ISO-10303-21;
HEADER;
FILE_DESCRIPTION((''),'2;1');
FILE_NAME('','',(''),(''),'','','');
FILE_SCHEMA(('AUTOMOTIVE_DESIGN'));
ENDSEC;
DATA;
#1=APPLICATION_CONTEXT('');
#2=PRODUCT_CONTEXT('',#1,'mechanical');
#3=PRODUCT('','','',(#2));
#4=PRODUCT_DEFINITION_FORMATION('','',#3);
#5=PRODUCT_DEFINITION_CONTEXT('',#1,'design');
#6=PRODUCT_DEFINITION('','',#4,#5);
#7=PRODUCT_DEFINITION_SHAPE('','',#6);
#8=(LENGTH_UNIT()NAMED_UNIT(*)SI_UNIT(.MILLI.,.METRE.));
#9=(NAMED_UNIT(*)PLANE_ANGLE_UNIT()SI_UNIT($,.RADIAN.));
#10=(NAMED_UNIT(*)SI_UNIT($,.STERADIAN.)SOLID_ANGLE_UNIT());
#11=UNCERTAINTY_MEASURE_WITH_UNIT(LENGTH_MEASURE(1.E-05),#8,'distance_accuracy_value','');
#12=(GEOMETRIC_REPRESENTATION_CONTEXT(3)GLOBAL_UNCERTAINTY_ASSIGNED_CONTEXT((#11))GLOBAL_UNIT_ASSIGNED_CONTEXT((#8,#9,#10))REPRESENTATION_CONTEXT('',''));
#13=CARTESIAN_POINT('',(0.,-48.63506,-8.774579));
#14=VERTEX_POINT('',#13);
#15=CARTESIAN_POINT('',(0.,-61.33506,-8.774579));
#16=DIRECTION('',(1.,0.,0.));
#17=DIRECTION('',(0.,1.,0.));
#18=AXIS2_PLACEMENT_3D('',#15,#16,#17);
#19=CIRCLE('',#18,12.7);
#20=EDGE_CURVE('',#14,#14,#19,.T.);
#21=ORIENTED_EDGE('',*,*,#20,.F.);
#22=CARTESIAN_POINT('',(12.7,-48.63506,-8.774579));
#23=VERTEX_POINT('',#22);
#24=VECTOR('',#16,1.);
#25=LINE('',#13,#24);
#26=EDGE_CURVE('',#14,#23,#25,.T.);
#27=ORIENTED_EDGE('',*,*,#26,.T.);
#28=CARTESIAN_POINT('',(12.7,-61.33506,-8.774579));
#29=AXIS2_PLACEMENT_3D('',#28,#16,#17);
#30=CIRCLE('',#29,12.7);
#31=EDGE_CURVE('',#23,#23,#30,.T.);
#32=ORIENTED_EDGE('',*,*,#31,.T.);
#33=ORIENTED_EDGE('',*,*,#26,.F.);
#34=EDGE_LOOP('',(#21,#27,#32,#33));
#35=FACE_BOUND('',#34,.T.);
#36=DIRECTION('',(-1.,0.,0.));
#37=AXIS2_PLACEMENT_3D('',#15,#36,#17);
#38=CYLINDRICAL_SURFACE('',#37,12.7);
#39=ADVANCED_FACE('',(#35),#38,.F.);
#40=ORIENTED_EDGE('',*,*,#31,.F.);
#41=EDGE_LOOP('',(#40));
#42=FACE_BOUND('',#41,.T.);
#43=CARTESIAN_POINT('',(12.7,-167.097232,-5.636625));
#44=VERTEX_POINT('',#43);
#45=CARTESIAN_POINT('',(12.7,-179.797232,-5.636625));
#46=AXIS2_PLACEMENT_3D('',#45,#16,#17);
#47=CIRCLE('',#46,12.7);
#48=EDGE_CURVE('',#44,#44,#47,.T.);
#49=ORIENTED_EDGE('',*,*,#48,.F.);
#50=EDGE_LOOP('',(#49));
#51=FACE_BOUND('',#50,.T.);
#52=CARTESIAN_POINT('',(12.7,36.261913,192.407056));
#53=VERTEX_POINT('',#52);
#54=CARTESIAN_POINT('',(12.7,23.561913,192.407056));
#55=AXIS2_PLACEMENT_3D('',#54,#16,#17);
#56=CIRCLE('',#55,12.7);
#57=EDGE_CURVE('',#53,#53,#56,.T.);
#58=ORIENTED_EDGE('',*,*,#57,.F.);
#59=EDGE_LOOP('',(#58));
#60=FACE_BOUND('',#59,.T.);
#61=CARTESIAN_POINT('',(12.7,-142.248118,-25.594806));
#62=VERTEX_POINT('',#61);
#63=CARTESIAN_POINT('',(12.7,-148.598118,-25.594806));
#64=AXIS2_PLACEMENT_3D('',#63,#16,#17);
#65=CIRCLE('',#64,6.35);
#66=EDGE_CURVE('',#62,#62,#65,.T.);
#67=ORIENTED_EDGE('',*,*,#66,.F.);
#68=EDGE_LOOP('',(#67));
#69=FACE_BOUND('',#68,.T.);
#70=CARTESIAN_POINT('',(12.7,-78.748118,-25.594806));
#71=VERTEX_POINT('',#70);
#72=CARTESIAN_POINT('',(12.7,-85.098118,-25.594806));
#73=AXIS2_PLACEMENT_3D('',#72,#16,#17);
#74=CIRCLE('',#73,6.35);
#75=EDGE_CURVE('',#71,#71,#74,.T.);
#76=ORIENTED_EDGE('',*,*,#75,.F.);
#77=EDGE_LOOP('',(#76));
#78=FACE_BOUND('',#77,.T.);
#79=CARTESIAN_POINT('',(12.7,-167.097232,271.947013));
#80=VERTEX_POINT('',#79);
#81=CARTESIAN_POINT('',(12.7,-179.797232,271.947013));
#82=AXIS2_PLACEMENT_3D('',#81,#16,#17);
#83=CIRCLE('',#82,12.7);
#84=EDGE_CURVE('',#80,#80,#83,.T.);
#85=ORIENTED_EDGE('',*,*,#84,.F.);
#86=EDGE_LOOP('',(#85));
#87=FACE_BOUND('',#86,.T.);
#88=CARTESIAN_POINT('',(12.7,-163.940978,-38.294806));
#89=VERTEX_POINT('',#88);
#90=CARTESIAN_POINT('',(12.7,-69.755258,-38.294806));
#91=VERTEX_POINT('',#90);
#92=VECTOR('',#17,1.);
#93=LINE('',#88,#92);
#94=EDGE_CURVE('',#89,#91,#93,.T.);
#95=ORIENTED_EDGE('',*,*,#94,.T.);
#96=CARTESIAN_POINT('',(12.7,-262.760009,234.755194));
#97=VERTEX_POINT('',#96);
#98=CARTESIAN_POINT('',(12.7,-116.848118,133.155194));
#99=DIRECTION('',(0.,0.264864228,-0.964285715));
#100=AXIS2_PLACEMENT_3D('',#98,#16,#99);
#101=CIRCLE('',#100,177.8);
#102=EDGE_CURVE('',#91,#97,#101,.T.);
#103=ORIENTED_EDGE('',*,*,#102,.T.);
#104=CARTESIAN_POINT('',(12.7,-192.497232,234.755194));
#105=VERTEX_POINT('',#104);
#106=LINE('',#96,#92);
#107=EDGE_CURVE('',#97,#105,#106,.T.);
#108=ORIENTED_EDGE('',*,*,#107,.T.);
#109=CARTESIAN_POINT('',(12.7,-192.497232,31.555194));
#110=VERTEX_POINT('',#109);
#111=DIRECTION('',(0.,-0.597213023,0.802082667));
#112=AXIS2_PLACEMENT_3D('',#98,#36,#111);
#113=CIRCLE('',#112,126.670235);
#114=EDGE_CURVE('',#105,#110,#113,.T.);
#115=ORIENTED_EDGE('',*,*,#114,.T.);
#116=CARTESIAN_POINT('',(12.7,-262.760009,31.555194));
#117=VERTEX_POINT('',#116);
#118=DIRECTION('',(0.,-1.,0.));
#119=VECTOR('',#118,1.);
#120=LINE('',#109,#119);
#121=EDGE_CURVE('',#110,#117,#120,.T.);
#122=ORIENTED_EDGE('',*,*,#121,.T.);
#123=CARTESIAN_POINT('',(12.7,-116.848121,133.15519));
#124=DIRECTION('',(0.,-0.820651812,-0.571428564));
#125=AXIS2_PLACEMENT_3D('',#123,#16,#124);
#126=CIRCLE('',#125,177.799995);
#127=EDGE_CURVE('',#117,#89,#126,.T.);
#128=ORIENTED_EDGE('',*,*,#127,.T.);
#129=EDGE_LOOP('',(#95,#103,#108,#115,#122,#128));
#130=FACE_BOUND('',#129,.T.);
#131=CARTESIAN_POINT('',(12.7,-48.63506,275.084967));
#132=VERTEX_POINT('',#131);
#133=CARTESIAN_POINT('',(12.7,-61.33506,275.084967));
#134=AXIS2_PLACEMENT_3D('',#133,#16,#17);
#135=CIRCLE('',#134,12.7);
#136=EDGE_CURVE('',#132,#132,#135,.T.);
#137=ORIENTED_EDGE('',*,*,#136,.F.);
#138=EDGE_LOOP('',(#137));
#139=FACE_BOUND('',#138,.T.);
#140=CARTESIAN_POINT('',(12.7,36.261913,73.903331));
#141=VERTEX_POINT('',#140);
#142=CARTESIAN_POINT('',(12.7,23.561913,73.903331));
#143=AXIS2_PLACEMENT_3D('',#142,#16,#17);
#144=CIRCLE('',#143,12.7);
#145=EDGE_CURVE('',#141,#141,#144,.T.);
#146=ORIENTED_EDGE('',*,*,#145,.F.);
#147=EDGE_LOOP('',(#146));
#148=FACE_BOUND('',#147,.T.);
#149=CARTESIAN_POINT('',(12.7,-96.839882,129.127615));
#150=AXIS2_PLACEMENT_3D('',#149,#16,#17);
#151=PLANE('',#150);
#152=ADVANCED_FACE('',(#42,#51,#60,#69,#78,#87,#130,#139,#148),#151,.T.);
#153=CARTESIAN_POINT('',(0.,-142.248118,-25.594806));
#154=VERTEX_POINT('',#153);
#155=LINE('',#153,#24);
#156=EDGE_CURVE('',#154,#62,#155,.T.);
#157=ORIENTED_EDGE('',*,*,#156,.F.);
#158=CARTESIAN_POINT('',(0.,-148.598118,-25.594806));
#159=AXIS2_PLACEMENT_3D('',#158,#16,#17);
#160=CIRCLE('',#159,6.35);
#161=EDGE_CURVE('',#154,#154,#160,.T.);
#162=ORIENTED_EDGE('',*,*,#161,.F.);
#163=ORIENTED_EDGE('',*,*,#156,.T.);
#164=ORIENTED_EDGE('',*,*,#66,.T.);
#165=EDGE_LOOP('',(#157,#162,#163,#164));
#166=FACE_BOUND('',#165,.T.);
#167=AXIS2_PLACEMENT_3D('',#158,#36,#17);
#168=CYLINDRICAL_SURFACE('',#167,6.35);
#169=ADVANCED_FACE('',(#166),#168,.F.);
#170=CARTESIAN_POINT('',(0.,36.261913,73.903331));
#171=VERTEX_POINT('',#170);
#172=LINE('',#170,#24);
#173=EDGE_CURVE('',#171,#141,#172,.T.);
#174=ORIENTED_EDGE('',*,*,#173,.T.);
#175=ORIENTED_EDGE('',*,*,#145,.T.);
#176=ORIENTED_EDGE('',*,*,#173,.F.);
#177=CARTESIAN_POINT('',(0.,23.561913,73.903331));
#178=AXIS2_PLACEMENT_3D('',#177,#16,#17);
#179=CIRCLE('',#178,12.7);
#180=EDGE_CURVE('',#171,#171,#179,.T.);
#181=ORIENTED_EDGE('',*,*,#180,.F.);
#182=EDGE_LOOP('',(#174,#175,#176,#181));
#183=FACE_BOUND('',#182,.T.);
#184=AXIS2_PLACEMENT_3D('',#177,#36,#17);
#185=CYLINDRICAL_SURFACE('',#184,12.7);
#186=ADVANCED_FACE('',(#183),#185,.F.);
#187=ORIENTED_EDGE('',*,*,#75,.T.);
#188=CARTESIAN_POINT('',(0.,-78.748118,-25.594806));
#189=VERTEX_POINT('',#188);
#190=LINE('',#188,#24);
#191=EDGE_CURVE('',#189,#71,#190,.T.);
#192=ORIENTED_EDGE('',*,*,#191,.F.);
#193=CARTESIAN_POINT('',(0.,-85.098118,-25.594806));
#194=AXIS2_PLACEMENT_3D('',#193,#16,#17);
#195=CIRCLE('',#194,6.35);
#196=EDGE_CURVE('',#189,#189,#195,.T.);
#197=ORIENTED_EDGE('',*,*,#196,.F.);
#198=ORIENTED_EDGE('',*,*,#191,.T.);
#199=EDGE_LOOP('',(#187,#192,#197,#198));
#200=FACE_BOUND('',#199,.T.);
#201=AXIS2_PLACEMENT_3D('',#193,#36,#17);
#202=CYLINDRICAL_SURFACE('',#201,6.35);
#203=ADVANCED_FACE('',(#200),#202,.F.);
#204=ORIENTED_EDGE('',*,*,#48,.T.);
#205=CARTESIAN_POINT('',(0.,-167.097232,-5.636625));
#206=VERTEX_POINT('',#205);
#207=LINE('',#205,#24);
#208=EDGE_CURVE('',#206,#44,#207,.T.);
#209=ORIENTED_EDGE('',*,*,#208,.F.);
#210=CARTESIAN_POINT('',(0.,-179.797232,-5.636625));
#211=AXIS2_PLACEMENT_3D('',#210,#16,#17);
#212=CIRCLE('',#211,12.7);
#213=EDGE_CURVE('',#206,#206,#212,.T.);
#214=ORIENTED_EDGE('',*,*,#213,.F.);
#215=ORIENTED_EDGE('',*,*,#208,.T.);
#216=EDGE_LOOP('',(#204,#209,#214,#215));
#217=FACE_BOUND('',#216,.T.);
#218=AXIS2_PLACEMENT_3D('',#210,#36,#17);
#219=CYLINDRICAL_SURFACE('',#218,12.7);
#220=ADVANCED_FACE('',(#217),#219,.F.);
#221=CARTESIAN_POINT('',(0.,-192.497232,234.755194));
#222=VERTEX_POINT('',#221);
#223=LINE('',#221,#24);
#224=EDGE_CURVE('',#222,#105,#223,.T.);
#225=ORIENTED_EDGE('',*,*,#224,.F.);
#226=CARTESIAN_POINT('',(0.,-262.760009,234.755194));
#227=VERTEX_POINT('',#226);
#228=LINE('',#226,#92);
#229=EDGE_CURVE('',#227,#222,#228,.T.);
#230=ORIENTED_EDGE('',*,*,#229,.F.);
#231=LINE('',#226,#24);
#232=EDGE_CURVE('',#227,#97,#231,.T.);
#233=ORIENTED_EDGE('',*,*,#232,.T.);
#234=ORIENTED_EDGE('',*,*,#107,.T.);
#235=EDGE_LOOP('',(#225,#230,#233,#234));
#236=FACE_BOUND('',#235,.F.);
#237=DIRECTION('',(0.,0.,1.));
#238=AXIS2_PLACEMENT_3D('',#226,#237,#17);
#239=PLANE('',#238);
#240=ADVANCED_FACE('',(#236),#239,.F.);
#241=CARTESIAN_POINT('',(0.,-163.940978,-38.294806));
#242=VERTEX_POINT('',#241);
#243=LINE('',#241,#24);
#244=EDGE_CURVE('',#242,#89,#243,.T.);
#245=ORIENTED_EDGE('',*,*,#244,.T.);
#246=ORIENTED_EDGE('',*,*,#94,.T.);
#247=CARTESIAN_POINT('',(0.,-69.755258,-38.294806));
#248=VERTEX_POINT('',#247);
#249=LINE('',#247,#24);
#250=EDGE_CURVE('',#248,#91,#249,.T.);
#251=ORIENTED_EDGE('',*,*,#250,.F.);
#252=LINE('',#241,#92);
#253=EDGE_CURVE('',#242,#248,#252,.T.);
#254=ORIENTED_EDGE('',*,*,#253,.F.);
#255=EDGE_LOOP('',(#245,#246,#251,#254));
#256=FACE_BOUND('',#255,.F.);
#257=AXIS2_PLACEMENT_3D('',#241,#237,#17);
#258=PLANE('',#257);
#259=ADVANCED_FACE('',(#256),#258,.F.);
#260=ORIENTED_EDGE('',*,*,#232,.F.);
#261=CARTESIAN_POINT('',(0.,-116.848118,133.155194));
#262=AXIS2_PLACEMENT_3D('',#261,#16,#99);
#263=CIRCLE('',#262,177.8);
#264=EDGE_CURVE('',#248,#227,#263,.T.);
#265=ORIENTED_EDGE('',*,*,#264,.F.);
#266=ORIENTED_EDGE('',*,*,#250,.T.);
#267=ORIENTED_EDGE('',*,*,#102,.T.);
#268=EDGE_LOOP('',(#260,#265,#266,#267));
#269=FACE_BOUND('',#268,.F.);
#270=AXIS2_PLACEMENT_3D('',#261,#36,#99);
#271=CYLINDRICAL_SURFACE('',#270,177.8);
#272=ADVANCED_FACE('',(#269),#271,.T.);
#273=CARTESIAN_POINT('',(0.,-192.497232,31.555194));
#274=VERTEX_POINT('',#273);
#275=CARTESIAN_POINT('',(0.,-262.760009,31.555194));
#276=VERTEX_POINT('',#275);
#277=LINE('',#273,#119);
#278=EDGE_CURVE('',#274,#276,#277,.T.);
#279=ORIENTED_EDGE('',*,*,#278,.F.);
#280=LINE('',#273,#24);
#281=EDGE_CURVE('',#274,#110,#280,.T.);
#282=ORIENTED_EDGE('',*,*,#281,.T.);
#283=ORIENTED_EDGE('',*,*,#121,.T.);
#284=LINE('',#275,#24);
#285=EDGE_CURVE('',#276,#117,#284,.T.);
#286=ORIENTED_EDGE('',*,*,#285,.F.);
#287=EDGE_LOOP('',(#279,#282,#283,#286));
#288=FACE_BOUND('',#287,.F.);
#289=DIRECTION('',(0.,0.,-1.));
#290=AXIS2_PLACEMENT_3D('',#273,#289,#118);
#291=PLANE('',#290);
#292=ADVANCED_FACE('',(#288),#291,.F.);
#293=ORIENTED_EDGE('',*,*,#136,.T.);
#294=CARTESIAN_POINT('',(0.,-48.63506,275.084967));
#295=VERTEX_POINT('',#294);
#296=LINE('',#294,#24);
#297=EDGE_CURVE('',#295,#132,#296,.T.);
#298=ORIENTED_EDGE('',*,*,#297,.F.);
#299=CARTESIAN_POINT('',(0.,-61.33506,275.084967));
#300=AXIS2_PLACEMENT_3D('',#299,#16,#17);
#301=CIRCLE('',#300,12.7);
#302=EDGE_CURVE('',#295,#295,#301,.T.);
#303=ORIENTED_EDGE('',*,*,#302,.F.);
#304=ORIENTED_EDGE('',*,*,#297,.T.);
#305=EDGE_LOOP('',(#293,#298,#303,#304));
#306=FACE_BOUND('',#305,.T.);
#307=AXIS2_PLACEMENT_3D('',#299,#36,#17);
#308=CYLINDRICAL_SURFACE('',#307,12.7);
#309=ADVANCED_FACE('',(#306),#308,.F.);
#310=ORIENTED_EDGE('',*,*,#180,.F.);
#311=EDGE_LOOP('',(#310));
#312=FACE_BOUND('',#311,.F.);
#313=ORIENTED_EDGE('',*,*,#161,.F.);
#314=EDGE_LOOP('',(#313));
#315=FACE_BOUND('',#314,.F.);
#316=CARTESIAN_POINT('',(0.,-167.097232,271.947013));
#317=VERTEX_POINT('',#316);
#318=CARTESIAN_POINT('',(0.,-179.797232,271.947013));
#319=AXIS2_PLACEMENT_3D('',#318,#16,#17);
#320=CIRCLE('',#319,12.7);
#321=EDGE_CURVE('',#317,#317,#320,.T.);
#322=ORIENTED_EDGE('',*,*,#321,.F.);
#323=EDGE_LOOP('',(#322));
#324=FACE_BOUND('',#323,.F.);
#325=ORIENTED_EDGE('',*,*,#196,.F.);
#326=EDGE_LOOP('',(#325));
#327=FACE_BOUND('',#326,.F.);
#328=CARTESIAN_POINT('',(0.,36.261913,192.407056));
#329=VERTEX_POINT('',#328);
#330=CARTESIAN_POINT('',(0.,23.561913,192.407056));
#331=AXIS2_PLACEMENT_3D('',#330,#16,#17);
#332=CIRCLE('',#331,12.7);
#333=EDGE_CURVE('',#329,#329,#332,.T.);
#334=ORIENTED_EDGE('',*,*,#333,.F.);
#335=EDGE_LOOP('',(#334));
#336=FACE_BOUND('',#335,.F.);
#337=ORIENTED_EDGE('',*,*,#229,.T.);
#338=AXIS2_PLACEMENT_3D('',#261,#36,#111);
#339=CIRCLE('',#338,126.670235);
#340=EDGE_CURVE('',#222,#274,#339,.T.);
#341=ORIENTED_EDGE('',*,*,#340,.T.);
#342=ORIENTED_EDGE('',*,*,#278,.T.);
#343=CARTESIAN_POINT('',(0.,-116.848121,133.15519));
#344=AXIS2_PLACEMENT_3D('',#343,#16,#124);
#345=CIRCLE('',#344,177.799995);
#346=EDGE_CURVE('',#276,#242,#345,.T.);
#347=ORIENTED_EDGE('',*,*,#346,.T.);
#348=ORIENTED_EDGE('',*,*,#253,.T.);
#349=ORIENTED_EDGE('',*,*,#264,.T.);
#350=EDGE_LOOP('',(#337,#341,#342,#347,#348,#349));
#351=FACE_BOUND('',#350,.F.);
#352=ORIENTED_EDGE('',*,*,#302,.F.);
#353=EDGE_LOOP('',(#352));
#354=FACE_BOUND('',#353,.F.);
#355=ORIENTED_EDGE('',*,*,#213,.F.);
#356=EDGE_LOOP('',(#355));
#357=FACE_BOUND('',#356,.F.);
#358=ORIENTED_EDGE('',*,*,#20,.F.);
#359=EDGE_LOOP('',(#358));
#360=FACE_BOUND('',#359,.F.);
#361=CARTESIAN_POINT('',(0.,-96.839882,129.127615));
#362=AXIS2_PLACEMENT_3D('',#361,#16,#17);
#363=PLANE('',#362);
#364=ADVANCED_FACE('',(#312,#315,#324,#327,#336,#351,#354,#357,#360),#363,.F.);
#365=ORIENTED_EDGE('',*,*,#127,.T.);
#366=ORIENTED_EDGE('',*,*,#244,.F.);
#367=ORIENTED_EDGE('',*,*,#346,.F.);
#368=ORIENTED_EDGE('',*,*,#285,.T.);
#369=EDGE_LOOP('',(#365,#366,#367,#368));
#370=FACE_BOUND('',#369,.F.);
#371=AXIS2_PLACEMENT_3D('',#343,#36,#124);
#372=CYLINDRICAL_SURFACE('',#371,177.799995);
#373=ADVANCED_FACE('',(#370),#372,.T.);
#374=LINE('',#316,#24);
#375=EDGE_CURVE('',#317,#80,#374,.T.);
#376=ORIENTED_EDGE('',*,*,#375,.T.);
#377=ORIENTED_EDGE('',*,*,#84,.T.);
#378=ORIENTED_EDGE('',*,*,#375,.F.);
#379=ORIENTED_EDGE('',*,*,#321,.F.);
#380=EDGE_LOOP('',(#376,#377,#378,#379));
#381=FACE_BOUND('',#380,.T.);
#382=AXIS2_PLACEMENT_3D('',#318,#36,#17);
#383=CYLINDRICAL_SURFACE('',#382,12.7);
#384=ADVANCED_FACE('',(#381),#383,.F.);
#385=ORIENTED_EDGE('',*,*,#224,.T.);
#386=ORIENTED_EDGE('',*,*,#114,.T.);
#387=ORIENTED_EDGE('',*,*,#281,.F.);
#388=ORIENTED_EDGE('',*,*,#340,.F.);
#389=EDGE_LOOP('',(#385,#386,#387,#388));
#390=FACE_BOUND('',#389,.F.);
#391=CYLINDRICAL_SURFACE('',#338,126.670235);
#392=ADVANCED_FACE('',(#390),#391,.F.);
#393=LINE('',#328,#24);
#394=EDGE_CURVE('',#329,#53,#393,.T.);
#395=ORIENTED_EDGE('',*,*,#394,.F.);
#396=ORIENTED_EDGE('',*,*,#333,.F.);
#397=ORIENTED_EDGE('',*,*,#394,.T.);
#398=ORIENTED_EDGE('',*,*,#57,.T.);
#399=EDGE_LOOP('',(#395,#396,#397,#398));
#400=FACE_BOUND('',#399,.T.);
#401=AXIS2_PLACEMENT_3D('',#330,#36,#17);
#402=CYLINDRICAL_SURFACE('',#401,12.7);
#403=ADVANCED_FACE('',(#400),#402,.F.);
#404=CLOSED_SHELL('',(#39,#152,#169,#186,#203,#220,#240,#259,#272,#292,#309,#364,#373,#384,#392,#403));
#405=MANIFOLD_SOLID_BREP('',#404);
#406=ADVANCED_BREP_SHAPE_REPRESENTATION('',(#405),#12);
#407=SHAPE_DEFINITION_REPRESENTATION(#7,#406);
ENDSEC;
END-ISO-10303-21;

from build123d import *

# Parameters (mm, degrees)
F0_R     = 6.35
F0_R_2   = 12.7
F1_DEPTH = 12.7


with BuildPart() as f1:
    # F0 (on Right) → F1 (new body)
    with BuildSketch(Plane.YZ):
        with BuildLine():
            Line((-192.497232, 31.555194), (-262.760009, 31.555194))
            ThreePointArc((-262.760009, 31.555194), (-219.475912, -12.035632), (-163.940978, -38.294806))
            Line((-163.940978, -38.294806), (-69.755258, -38.294806))
            ThreePointArc((-69.755258, -38.294806), (28.342708, 235.782988), (-262.760009, 234.755194))
            Line((-262.760009, 234.755194), (-192.497232, 234.755194))
            ThreePointArc((-192.497232, 234.755194), (9.822117, 133.155194), (-192.497232, 31.555194))
        make_face()
        with Locations((-148.598118, -25.594806)):
            Circle(F0_R, mode=Mode.SUBTRACT)
        with Locations((-179.797232, -5.636625)):
            Circle(F0_R_2, mode=Mode.SUBTRACT)
        with Locations((-85.098118, -25.594806)):
            Circle(F0_R, mode=Mode.SUBTRACT)
        with Locations((-61.33506, -8.774579)):
            Circle(F0_R_2, mode=Mode.SUBTRACT)
        with Locations((23.561913, 73.903331)):
            Circle(F0_R_2, mode=Mode.SUBTRACT)
        with Locations((-179.797232, 271.947013)):
            Circle(F0_R_2, mode=Mode.SUBTRACT)
        with Locations((23.561913, 192.407056)):
            Circle(F0_R_2, mode=Mode.SUBTRACT)
        with Locations((-61.33506, 275.084967)):
            Circle(F0_R_2, mode=Mode.SUBTRACT)
    extrude(amount=F1_DEPTH)


solid = f1.part
